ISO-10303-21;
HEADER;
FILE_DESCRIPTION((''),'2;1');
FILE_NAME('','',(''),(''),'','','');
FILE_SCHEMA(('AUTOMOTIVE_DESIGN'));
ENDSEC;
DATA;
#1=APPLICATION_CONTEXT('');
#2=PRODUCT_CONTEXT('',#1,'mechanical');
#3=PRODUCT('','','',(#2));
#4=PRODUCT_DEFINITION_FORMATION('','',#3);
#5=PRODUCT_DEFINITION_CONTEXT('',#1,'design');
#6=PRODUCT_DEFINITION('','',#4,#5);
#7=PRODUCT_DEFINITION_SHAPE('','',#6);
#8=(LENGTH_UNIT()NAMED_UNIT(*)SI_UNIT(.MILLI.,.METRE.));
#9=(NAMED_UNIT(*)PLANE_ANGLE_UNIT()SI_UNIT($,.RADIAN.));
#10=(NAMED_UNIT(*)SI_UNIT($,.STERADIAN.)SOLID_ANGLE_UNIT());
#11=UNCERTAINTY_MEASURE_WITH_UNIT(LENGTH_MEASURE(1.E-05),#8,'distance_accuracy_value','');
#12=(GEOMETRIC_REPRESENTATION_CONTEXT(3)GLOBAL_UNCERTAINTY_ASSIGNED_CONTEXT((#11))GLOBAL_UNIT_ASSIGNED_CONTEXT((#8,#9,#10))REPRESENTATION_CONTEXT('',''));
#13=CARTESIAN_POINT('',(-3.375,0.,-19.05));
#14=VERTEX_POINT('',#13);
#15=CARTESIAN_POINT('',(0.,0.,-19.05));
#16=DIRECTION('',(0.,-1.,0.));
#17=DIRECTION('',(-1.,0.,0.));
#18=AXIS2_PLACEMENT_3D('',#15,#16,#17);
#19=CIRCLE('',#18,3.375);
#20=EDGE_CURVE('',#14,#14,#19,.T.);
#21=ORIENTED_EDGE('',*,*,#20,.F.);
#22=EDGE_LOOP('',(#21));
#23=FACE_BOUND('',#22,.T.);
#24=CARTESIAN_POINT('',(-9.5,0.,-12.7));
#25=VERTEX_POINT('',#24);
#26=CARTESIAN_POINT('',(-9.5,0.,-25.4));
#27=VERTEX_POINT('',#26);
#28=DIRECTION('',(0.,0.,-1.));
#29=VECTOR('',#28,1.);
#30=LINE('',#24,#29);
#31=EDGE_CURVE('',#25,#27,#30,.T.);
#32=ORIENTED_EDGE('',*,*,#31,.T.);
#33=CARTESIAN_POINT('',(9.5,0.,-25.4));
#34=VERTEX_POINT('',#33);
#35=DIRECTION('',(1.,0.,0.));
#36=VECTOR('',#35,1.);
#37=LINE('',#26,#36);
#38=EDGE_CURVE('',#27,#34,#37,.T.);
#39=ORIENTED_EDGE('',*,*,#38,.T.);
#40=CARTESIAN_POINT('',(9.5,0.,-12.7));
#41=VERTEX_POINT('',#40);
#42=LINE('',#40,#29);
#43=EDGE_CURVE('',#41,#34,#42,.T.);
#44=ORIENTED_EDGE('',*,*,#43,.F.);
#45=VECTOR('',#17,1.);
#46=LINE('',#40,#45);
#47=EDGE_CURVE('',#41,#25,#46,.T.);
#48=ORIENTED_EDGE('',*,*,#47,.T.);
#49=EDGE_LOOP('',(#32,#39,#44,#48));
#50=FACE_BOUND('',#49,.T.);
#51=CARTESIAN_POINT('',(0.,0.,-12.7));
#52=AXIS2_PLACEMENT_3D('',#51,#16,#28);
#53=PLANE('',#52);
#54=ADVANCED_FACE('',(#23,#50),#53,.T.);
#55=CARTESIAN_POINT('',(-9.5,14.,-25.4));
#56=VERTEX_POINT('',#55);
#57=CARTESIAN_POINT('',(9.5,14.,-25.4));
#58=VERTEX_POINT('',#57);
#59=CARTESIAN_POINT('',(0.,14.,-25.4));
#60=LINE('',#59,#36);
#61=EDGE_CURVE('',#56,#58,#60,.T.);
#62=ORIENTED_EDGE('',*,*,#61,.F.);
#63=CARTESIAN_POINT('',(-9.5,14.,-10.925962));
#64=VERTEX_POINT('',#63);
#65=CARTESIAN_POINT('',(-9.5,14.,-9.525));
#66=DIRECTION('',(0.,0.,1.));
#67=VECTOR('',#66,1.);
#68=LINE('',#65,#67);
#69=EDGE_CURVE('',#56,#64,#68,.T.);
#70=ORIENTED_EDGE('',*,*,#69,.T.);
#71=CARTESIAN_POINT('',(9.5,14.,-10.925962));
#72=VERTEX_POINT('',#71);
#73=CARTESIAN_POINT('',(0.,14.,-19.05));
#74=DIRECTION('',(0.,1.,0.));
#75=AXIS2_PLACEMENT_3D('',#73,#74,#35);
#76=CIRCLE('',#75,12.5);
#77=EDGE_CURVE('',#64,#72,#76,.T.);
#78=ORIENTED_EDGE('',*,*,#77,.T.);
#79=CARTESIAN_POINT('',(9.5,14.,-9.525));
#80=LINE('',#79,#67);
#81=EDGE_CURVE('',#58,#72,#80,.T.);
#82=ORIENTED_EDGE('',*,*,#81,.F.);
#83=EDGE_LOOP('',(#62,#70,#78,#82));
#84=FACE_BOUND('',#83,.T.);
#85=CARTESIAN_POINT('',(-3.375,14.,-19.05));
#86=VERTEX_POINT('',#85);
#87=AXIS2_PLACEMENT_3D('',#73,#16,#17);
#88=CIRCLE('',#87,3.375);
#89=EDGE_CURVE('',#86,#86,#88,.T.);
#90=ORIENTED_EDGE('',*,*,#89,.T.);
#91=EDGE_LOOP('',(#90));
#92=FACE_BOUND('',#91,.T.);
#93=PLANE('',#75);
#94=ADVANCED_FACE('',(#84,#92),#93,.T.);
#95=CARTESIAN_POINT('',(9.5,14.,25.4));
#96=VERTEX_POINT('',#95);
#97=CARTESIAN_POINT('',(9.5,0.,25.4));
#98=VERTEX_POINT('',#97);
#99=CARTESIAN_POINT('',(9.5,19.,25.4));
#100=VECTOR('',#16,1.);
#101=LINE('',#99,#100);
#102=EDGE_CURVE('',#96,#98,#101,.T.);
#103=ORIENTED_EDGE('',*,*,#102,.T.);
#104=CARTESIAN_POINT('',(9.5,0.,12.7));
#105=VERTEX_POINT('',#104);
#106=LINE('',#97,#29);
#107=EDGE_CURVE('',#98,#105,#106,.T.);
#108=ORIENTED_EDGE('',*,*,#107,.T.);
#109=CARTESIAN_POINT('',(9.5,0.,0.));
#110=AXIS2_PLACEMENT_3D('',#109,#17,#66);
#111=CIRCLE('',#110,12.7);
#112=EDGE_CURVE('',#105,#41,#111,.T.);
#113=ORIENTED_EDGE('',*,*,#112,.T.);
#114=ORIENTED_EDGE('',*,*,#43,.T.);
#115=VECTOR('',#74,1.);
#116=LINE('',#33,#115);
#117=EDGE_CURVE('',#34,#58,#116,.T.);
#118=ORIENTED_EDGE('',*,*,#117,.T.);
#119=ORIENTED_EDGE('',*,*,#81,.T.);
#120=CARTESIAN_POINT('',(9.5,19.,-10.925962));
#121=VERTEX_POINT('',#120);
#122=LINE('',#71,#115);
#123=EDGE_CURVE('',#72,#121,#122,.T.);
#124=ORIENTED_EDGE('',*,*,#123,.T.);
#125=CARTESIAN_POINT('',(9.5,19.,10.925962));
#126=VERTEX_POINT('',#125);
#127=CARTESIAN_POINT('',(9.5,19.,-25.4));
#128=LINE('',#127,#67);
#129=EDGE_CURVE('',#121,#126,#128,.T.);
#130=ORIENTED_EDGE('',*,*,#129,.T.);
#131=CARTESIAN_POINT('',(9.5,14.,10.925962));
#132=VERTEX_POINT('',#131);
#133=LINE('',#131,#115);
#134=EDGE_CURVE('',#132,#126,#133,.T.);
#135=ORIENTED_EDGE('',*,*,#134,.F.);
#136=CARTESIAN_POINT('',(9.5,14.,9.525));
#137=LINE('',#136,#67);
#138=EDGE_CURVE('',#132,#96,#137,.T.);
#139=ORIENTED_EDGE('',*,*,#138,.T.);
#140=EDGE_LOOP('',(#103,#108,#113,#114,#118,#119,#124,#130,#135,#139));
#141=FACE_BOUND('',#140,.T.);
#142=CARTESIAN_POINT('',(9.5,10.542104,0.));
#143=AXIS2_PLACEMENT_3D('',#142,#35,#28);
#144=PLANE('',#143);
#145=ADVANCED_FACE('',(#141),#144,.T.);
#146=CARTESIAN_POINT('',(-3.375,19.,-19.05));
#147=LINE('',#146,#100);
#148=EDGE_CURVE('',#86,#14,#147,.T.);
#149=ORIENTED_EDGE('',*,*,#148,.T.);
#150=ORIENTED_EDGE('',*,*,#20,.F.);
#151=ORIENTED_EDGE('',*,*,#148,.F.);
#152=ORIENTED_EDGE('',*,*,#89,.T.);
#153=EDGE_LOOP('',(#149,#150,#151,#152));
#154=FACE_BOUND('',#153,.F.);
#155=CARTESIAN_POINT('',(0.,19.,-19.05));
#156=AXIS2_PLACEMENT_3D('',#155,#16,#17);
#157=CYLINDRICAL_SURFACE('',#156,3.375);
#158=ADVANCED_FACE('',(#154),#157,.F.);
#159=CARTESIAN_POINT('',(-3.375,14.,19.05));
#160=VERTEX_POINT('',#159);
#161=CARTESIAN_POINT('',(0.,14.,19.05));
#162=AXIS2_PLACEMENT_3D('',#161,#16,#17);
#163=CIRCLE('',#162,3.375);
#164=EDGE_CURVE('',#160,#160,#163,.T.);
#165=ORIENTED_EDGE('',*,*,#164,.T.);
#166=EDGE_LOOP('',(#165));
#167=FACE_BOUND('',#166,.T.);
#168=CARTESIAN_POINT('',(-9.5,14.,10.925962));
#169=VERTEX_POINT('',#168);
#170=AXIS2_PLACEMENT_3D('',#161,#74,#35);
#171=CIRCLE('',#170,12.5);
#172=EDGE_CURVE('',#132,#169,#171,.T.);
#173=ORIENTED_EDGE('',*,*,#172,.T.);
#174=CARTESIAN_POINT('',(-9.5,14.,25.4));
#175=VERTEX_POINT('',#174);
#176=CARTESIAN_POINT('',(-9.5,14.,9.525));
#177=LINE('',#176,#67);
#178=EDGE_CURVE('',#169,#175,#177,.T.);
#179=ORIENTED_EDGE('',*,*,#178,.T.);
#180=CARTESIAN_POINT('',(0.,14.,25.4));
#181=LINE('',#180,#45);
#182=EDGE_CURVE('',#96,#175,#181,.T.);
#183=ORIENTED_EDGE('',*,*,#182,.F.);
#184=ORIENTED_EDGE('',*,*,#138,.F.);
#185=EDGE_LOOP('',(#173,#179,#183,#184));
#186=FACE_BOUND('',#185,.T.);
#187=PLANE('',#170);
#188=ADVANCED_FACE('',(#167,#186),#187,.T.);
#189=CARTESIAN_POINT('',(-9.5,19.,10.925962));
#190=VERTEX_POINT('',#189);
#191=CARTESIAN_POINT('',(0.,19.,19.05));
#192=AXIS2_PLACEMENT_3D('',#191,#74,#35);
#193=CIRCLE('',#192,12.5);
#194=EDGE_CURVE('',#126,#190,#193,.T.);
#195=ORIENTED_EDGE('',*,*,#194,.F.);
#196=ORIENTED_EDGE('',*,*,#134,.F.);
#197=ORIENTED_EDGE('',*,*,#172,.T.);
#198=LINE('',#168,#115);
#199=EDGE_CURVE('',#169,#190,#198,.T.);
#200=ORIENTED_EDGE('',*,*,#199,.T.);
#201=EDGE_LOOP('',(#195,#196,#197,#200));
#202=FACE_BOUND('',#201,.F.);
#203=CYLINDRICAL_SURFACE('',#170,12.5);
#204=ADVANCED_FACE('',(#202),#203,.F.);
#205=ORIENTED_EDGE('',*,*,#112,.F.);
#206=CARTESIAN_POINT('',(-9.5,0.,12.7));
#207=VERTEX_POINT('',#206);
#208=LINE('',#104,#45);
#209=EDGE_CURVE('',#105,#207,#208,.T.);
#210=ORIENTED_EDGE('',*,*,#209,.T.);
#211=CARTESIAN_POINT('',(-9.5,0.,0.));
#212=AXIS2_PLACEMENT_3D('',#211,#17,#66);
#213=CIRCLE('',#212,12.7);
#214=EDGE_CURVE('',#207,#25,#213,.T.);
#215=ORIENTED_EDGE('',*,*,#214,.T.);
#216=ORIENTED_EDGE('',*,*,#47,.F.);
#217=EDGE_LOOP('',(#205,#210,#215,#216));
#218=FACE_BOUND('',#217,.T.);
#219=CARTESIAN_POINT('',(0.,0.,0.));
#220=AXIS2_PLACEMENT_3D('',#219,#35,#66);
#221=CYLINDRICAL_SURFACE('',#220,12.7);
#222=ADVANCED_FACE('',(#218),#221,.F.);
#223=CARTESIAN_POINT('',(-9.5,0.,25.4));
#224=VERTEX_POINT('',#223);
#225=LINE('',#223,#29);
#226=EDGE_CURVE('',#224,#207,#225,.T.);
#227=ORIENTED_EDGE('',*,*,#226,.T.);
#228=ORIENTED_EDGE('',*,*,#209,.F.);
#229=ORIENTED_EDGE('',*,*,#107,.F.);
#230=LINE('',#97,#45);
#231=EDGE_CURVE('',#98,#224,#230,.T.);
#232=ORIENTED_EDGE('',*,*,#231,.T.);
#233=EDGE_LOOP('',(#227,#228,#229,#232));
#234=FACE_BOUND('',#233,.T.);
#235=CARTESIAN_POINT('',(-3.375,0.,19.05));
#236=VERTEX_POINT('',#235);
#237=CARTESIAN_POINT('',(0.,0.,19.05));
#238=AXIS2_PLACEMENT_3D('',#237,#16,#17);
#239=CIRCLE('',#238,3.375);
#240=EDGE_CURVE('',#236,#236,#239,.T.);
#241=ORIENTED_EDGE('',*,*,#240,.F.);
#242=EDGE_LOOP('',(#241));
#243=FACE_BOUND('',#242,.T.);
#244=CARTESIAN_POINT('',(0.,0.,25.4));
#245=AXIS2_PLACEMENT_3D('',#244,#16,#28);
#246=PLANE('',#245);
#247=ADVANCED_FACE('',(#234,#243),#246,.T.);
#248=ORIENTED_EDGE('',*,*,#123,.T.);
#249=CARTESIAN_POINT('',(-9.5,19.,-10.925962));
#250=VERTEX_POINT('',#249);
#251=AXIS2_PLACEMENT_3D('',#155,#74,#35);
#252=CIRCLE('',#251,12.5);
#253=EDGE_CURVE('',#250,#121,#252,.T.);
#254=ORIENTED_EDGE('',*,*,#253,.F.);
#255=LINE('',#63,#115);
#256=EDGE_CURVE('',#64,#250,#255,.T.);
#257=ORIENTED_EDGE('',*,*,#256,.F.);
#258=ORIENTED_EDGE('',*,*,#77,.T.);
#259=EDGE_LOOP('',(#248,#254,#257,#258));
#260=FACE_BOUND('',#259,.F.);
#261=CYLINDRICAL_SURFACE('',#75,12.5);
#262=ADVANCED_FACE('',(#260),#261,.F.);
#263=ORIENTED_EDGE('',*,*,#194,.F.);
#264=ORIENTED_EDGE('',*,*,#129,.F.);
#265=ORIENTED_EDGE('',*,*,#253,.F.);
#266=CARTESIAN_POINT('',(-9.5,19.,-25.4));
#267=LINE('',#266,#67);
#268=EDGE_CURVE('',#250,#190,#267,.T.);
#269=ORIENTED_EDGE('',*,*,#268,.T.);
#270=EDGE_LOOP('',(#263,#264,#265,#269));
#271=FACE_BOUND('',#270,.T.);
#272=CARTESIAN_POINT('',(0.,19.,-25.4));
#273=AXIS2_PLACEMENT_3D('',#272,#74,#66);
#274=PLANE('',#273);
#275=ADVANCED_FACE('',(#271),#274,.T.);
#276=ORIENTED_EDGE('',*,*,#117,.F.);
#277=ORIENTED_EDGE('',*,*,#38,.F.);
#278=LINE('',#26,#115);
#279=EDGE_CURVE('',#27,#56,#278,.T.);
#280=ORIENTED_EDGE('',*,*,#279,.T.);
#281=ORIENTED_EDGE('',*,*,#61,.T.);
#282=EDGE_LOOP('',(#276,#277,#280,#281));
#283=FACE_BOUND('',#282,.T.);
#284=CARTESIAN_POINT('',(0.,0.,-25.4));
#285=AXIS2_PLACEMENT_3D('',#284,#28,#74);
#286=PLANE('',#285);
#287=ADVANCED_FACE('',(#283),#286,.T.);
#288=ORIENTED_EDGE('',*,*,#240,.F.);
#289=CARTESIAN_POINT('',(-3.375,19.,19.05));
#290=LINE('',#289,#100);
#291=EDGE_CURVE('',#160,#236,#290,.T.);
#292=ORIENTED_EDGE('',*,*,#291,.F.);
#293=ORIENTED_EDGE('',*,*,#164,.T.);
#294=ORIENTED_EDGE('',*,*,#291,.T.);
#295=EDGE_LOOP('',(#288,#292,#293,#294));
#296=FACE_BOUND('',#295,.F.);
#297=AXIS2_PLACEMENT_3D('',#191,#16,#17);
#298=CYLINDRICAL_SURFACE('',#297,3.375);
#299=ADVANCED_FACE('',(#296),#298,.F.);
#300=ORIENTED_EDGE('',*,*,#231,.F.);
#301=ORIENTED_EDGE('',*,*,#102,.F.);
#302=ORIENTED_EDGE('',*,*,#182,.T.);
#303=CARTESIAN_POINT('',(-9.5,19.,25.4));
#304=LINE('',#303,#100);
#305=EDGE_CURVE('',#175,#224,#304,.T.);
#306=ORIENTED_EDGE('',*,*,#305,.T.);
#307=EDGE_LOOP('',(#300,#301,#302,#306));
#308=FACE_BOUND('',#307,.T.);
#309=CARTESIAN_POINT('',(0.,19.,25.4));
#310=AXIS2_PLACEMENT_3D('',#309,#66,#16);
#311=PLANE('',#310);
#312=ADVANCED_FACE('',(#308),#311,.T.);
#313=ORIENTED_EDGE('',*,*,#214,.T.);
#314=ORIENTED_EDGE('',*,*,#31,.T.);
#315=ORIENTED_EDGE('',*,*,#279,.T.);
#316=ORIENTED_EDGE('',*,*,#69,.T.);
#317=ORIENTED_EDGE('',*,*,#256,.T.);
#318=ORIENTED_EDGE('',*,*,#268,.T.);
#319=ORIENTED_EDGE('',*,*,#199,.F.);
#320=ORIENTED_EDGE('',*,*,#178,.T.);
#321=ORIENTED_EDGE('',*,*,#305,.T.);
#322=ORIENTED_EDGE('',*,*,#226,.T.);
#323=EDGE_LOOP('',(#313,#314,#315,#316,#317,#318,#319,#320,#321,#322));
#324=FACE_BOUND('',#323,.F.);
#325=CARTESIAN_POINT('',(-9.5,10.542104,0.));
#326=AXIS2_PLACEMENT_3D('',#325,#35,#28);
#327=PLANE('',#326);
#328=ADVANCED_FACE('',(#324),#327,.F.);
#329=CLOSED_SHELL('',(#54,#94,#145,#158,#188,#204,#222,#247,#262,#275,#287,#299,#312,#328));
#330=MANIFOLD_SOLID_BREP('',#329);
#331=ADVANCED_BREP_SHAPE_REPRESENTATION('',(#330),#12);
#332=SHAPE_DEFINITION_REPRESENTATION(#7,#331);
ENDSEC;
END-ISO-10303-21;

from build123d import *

# Parameters (mm, degrees)
BOSS_EXTRUDE1_DEPTH                           = 9.5
CBORE_FOR_M12_HEX_HEAD_CAP_SCREW1_D           = 6.75
CBORE_FOR_M12_HEX_HEAD_CAP_SCREW1_CBORE_D     = 25
CBORE_FOR_M12_HEX_HEAD_CAP_SCREW1_CBORE_DEPTH = 5


with BuildPart() as part:
    # Sketch2 → Boss-Extrude1 (new body, symmetric)
    with BuildSketch(Plane(origin=(0, 0, 0), x_dir=(0, 0, -1), z_dir=(1, 0, 0))):
        with BuildLine():
            Line((12.7, 0), (25.4, 0))
            Line((25.4, 0), (25.4, 19))
            Line((25.4, 19), (-25.4, 19))
            Line((-25.4, 19), (-25.4, 0))
            Line((-25.4, 0), (-12.7, 0))
            ThreePointArc((-12.7, 0), (0, 12.7), (12.7, 0))
        make_face()
    extrude(amount=BOSS_EXTRUDE1_DEPTH, both=True)

    # CBORE for M12 Hex Head Cap Screw1 (through all)
    with Locations(Plane(origin=(0, 19, 0), x_dir=(1, 0, 0), z_dir=(0, 1, 0))):
        with Locations((0, 19.05), (0, -19.05)):
            CounterBoreHole(CBORE_FOR_M12_HEX_HEAD_CAP_SCREW1_D / 2, CBORE_FOR_M12_HEX_HEAD_CAP_SCREW1_CBORE_D / 2, CBORE_FOR_M12_HEX_HEAD_CAP_SCREW1_CBORE_DEPTH)


solid = part.part
